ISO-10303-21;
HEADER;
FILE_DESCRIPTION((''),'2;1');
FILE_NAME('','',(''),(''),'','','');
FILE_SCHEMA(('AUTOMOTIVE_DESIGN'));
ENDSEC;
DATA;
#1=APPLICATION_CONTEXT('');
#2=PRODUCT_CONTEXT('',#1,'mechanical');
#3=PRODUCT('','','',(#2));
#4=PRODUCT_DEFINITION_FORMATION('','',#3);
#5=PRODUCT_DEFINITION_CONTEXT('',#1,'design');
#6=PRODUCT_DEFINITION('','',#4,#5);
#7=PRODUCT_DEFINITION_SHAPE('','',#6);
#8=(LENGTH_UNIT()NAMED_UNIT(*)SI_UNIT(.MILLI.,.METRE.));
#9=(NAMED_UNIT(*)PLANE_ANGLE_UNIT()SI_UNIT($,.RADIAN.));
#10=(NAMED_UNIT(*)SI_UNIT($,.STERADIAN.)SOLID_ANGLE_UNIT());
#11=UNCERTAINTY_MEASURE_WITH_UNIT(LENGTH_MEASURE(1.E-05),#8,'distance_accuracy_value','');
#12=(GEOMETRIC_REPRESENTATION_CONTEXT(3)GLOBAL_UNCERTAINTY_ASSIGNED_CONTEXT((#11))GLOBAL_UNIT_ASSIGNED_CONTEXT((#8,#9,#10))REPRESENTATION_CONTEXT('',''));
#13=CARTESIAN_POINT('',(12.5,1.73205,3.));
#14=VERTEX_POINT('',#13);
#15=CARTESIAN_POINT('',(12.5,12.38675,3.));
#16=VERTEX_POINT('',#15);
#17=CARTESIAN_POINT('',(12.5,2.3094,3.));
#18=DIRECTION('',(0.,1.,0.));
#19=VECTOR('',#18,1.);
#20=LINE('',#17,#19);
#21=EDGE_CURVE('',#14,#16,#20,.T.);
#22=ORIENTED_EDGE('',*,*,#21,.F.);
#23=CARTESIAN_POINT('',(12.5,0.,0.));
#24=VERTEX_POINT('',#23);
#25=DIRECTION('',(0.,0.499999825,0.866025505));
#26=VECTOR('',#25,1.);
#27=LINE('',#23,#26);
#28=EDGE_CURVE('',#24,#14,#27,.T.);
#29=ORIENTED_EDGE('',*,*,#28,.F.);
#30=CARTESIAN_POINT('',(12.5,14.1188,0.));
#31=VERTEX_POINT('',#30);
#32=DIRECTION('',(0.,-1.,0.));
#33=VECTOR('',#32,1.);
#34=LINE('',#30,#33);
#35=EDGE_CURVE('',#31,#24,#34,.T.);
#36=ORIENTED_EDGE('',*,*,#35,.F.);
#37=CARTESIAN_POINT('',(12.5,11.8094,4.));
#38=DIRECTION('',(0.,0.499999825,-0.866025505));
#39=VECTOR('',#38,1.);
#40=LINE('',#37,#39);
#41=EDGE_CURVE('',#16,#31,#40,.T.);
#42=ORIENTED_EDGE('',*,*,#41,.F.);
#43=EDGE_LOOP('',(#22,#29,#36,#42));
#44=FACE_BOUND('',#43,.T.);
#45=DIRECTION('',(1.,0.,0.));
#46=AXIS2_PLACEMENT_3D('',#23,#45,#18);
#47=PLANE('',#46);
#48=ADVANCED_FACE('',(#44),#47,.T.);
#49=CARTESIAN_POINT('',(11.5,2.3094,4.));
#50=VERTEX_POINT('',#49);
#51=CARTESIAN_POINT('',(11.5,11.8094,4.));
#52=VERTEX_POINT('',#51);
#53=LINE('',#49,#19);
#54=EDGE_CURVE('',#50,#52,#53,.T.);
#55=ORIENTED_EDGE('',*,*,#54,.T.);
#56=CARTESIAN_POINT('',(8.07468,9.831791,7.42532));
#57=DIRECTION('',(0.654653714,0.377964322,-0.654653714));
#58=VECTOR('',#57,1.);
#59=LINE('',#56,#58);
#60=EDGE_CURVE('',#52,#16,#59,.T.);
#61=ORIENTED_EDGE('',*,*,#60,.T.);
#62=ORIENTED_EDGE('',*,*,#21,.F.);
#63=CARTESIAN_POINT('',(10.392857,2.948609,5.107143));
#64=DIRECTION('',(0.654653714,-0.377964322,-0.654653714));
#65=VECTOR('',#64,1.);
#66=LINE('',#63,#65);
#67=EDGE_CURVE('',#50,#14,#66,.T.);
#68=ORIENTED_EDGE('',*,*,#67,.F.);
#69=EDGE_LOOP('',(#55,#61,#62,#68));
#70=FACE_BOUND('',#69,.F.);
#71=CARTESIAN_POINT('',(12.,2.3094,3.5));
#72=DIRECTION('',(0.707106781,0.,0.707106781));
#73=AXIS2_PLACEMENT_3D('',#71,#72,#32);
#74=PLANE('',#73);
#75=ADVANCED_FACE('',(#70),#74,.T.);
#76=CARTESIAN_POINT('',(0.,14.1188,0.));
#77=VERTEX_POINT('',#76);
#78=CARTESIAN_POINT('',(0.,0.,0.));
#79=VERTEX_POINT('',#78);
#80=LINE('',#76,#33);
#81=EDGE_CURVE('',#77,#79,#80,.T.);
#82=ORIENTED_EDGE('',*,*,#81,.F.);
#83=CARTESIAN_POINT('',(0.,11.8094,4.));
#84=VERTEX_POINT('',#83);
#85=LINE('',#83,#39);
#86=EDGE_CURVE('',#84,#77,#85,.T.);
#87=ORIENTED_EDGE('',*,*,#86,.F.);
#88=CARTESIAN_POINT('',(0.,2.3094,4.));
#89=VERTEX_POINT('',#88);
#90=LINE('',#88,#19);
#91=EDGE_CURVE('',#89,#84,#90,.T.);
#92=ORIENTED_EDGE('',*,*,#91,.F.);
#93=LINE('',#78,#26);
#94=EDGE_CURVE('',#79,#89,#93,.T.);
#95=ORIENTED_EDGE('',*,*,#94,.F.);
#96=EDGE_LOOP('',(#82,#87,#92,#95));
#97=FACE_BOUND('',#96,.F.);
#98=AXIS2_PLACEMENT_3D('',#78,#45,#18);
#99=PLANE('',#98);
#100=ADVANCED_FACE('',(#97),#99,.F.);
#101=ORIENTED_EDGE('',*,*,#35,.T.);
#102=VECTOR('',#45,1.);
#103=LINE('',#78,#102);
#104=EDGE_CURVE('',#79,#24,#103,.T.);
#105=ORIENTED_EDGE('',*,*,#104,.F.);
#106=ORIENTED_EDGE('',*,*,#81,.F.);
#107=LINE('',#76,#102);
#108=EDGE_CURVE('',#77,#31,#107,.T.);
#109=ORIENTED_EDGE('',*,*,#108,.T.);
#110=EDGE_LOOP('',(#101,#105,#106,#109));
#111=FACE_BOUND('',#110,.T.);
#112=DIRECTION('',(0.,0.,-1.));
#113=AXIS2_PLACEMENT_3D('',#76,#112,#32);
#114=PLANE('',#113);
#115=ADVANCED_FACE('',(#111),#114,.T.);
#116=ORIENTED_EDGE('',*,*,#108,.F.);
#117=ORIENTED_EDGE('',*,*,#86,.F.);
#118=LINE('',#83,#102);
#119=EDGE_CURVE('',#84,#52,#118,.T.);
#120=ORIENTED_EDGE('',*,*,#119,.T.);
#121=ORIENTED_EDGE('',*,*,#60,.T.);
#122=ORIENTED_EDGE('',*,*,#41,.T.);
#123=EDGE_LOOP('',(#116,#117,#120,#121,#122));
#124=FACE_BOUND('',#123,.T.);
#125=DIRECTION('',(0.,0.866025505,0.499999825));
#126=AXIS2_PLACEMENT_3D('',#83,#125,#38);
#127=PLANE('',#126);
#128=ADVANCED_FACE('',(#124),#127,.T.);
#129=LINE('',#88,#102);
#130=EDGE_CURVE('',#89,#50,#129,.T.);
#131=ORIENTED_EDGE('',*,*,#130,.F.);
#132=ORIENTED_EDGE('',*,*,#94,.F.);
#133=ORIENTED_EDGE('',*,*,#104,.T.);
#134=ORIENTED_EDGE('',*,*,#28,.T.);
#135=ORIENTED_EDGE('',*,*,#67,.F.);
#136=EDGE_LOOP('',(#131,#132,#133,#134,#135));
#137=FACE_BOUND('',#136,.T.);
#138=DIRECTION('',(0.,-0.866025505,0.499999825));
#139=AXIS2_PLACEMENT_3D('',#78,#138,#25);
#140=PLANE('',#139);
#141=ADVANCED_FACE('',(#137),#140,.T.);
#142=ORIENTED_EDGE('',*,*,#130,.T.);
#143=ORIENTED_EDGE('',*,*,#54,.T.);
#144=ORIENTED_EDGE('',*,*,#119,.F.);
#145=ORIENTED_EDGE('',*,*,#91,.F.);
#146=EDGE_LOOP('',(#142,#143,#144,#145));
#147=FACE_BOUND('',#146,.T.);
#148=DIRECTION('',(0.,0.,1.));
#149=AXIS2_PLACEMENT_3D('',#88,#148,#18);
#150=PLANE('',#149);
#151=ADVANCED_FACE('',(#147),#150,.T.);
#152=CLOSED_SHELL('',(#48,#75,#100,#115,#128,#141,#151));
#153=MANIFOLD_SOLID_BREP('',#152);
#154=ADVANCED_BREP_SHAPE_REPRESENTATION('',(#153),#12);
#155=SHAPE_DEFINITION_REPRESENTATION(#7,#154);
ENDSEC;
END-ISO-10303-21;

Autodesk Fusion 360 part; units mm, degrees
sketch "Sketch1" plane through (0, 0, 0) normal (1, 0, 0) x (0, 1, 0)
  line L0 (0, 0) -> (2.3094, 4)
  line L1 (2.3094, 4) -> (11.8094, 4)
  line L2 (11.8094, 4) -> (14.1188, 0)
  line L3 (14.1188, 0) -> (0, 0)
  dimension "d1" = 4
  dimension "d2" = 9.5
  dimension "d3" = 60
extrude "Extrude1" add sketch "Sketch1" along normal blind 12.5
chamfer "Chamfer1" distance 1 angle 45 1 edges at (12.5, 7.0594, 4)
